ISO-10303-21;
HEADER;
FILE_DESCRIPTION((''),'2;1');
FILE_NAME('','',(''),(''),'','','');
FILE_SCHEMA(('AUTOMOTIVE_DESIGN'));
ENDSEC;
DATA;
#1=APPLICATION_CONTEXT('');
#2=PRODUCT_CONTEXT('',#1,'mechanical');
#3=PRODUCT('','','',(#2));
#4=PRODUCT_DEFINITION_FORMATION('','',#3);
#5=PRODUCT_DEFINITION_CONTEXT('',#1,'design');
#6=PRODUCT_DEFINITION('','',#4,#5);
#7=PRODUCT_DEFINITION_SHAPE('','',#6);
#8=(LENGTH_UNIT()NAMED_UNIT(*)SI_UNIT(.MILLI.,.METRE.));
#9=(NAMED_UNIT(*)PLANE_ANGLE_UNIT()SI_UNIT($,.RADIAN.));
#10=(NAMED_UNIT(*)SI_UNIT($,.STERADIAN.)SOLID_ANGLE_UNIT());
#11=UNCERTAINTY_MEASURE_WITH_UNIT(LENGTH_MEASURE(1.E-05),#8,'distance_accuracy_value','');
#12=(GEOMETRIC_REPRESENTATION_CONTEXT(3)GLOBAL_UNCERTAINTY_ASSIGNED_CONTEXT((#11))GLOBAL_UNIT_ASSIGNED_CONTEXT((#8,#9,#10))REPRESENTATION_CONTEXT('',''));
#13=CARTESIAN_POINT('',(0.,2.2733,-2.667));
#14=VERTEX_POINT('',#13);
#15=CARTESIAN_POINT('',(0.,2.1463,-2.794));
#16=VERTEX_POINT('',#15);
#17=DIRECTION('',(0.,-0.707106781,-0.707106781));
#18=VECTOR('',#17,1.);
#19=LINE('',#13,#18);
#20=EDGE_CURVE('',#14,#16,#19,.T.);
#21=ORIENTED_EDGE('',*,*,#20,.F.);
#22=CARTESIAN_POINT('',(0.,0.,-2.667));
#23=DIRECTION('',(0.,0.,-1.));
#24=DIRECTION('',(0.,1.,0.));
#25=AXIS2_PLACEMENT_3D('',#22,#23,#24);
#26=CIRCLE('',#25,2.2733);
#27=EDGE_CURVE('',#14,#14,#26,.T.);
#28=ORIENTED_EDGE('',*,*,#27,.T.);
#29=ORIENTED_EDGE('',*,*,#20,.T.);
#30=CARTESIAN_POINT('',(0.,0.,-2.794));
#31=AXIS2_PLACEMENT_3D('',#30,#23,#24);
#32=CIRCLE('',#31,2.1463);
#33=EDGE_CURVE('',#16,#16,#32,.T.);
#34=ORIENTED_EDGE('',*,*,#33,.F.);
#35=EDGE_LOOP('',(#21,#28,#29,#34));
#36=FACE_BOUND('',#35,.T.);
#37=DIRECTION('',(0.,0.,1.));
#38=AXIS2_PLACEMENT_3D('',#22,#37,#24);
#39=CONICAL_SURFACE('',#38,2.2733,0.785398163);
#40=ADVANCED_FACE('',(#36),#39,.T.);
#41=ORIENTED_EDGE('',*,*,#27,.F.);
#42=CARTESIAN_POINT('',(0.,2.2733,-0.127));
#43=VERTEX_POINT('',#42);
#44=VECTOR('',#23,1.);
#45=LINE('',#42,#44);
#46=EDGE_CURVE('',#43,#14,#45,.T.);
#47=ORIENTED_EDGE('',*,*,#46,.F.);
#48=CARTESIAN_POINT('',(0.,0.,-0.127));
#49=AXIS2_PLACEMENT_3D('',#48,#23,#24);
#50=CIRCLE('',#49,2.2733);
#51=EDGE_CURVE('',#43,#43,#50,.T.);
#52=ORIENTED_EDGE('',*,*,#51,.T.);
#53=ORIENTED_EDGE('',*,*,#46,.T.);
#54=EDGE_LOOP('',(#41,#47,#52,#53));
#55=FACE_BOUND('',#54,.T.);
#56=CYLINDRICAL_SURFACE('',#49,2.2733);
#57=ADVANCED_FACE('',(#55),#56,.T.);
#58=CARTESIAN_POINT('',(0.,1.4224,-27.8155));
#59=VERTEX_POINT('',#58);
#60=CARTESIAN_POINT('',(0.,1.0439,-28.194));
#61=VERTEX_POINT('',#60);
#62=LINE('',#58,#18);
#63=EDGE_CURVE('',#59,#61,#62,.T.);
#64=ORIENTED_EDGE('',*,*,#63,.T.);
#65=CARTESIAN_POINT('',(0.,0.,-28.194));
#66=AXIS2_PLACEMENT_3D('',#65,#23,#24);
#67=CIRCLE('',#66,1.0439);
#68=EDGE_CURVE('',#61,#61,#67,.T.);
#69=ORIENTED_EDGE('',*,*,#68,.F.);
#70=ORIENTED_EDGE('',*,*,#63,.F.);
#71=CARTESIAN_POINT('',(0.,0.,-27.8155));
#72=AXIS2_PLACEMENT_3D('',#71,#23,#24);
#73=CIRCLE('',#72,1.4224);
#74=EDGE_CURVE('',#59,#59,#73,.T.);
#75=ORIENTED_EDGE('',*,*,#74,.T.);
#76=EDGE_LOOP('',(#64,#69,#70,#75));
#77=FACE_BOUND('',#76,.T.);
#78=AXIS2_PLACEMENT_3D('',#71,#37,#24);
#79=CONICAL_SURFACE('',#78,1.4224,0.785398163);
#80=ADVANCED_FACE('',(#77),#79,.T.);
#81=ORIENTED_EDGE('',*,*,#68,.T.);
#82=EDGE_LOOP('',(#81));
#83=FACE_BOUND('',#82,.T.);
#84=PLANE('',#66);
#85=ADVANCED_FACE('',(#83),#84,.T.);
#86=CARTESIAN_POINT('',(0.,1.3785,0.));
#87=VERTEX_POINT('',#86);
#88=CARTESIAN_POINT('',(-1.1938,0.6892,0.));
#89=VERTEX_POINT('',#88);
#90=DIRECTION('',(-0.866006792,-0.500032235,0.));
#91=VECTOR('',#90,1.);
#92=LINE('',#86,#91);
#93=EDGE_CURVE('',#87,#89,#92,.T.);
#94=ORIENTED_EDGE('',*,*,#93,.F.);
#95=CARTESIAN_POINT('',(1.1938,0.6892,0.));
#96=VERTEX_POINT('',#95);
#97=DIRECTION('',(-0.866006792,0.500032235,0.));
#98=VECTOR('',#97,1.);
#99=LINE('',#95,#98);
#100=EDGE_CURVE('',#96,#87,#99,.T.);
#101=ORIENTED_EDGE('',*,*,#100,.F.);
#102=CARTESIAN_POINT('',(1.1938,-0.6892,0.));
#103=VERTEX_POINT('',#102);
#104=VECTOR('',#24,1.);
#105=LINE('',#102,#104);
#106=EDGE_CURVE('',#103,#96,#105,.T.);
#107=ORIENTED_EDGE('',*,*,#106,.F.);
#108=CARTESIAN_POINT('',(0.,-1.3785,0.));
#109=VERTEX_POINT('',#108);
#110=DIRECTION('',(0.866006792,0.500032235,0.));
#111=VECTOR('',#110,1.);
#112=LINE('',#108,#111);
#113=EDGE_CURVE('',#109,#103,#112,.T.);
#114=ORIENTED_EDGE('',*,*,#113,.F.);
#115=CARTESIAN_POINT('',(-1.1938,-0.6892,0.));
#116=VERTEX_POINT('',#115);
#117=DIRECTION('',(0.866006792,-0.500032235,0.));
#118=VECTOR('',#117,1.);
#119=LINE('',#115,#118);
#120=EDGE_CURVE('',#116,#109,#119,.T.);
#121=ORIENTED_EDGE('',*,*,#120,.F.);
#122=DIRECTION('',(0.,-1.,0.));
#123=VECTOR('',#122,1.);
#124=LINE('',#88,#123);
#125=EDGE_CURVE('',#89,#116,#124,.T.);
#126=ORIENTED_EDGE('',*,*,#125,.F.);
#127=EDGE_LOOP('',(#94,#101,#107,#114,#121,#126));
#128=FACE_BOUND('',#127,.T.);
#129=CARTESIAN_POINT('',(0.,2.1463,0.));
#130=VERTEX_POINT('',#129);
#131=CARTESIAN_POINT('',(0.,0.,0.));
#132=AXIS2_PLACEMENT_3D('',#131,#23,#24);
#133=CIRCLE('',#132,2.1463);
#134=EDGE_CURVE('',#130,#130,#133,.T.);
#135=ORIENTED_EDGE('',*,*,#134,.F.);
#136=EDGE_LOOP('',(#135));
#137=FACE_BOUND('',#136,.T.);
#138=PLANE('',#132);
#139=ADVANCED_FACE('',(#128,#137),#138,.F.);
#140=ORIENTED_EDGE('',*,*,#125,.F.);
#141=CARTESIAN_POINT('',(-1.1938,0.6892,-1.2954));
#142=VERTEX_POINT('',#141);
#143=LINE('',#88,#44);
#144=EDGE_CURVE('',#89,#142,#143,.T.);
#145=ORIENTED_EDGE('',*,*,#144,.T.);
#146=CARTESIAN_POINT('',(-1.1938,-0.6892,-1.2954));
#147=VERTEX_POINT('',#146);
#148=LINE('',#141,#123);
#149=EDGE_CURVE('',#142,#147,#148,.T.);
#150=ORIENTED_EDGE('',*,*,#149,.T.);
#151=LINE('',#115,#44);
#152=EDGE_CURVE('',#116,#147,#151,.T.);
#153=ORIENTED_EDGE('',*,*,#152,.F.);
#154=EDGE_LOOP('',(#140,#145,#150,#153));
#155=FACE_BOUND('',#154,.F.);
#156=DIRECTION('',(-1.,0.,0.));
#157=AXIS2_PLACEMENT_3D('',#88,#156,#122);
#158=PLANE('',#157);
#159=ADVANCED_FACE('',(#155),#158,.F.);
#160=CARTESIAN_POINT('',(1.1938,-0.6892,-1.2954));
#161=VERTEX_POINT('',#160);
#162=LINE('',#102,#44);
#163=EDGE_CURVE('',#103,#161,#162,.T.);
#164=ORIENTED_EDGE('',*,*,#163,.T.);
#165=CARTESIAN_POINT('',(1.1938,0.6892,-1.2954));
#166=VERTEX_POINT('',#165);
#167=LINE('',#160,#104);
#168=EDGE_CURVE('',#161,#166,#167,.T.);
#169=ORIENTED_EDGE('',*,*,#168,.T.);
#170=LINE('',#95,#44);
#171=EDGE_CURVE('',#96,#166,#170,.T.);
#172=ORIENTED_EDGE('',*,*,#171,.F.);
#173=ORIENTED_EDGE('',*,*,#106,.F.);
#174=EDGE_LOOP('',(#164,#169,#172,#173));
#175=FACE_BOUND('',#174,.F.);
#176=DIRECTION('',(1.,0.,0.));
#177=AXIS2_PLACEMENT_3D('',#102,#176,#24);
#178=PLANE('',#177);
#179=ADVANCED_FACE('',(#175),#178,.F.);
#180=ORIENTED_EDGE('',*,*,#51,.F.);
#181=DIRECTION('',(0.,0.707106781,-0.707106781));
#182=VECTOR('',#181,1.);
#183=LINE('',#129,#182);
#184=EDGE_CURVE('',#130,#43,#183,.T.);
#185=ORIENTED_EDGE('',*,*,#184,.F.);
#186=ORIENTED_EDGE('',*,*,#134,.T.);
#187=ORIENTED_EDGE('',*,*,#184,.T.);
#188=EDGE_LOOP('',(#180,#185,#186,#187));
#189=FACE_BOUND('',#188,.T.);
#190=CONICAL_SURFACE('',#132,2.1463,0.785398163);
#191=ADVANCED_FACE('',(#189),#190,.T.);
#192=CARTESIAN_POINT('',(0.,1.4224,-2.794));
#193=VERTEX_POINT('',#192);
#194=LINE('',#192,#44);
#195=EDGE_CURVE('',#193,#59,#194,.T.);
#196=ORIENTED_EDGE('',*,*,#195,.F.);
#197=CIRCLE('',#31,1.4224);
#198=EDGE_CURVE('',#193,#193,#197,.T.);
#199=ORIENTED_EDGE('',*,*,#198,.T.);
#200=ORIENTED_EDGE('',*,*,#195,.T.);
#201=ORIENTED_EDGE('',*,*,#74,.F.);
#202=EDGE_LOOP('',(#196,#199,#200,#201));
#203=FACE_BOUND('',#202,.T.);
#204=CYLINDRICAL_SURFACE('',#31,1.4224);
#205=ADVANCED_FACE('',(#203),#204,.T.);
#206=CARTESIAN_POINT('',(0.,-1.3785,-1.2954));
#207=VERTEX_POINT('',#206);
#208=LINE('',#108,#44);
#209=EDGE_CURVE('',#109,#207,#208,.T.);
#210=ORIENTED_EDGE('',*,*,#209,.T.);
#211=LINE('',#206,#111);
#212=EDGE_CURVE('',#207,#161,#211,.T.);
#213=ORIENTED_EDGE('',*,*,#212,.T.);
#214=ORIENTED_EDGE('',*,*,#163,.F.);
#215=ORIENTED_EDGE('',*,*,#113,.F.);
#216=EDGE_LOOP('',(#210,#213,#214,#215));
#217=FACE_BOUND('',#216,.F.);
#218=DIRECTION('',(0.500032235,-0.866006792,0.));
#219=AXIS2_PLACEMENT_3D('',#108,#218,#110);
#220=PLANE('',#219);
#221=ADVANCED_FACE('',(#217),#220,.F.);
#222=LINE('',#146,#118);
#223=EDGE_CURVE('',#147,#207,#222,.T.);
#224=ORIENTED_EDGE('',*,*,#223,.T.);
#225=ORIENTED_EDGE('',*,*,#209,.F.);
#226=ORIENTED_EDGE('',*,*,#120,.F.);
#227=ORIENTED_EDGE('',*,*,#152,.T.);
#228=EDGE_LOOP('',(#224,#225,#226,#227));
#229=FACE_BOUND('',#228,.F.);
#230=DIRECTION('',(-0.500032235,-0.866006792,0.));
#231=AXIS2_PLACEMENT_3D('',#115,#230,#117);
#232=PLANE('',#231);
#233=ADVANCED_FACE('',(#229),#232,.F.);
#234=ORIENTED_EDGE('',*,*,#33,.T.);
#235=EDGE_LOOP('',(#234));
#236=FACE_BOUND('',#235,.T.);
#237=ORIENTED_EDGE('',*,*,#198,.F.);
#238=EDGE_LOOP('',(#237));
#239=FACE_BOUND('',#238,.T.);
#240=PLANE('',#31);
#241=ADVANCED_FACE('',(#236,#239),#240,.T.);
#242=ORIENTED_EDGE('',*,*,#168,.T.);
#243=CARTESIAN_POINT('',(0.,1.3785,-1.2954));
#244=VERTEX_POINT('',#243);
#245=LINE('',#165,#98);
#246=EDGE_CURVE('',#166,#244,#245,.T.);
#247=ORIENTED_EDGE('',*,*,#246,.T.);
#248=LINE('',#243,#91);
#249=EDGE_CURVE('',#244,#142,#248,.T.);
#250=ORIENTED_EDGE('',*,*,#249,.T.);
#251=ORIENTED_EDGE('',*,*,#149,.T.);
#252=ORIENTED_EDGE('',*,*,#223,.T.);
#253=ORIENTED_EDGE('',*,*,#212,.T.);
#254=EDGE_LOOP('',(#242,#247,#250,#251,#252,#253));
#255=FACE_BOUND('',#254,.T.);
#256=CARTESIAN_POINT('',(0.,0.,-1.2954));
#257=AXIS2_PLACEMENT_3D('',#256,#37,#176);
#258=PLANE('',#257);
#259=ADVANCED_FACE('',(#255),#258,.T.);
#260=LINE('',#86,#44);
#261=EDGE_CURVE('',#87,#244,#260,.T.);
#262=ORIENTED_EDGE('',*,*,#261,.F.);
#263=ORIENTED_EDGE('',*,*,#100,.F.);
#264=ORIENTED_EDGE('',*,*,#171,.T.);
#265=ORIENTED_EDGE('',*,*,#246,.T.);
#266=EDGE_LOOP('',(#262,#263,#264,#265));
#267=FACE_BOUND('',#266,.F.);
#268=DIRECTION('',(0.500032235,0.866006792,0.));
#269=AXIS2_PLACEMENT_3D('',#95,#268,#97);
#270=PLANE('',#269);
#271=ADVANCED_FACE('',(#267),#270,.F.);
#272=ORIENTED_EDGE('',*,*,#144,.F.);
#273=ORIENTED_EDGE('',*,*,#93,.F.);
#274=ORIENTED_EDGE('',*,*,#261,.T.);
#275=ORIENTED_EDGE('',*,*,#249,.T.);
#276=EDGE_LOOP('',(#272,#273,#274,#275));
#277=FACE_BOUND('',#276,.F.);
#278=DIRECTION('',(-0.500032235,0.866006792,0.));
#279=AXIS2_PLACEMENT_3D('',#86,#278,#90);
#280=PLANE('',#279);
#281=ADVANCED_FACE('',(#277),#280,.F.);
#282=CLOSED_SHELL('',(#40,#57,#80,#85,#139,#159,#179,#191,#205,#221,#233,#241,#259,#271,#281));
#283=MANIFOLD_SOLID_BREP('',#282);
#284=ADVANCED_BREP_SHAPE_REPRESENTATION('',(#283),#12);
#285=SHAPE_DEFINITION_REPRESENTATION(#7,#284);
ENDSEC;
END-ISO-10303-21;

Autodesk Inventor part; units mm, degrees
sketch "Sketch_1" plane through (0, 0, 0) normal (1, 0, 0) x (0, 1, 0)
  line L0 (0, -28.194) -> (0, 0)
  line L1 (0, 0) -> (2.1463, 0)
  line L2 (2.1463, 0) -> (2.2733, -0.127)
  line L3 (2.2733, -0.127) -> (2.2733, -2.667)
  line L4 (2.2733, -2.667) -> (2.1463, -2.794)
  line L5 (2.1463, -2.794) -> (1.4224, -2.794)
  line L6 (1.4224, -2.794) -> (1.4224, -27.8155)
  line L7 (1.4224, -27.8155) -> (1.0439, -28.194)
  line L8 (1.0439, -28.194) -> (0, -28.194)
  line L9 (0, -28.194) -> (0, 0)
revolve "Revolution1" add sketch "Sketch_1" angle 360 about axis through (0, 0, -28.194) along (0, 0, -1)
thread "Thread1" size "4-40 UNC" class "2A" standard "ANSI Unified Screw Threads" length 12.3215
sketch "Sketch_3" plane through (0, 0, 0) normal (0, 0, 1) x (1, 0, 0)
  line L0 (-1.1938, -0.6892) -> (0, -1.3785)
  line L1 (0, -1.3785) -> (1.1938, -0.6892)
  line L2 (1.1938, -0.6892) -> (1.1938, 0.6892)
  line L3 (1.1938, 0.6892) -> (0, 1.3785)
  line L4 (0, 1.3785) -> (-1.1938, 0.6892)
  line L5 (-1.1938, 0.6892) -> (-1.1938, -0.6892)
extrude "Extrusion1" cut sketch "Sketch_3" against normal blind 1.2954
ref_plane "screw_XY" through (0, 0, -2.794) normal (0, 0, 1) x (1, 0, 0)
ref_plane "screw_YZ" through (0, 0, -2.794) normal (1, 0, 0) x (0, 1, 0)
ref_plane "screw_ZX" through (0, 0, -2.794) normal (0, 1, 0) x (0, 0, 1)
properties part number "D-D0144-SS-1-bif"
